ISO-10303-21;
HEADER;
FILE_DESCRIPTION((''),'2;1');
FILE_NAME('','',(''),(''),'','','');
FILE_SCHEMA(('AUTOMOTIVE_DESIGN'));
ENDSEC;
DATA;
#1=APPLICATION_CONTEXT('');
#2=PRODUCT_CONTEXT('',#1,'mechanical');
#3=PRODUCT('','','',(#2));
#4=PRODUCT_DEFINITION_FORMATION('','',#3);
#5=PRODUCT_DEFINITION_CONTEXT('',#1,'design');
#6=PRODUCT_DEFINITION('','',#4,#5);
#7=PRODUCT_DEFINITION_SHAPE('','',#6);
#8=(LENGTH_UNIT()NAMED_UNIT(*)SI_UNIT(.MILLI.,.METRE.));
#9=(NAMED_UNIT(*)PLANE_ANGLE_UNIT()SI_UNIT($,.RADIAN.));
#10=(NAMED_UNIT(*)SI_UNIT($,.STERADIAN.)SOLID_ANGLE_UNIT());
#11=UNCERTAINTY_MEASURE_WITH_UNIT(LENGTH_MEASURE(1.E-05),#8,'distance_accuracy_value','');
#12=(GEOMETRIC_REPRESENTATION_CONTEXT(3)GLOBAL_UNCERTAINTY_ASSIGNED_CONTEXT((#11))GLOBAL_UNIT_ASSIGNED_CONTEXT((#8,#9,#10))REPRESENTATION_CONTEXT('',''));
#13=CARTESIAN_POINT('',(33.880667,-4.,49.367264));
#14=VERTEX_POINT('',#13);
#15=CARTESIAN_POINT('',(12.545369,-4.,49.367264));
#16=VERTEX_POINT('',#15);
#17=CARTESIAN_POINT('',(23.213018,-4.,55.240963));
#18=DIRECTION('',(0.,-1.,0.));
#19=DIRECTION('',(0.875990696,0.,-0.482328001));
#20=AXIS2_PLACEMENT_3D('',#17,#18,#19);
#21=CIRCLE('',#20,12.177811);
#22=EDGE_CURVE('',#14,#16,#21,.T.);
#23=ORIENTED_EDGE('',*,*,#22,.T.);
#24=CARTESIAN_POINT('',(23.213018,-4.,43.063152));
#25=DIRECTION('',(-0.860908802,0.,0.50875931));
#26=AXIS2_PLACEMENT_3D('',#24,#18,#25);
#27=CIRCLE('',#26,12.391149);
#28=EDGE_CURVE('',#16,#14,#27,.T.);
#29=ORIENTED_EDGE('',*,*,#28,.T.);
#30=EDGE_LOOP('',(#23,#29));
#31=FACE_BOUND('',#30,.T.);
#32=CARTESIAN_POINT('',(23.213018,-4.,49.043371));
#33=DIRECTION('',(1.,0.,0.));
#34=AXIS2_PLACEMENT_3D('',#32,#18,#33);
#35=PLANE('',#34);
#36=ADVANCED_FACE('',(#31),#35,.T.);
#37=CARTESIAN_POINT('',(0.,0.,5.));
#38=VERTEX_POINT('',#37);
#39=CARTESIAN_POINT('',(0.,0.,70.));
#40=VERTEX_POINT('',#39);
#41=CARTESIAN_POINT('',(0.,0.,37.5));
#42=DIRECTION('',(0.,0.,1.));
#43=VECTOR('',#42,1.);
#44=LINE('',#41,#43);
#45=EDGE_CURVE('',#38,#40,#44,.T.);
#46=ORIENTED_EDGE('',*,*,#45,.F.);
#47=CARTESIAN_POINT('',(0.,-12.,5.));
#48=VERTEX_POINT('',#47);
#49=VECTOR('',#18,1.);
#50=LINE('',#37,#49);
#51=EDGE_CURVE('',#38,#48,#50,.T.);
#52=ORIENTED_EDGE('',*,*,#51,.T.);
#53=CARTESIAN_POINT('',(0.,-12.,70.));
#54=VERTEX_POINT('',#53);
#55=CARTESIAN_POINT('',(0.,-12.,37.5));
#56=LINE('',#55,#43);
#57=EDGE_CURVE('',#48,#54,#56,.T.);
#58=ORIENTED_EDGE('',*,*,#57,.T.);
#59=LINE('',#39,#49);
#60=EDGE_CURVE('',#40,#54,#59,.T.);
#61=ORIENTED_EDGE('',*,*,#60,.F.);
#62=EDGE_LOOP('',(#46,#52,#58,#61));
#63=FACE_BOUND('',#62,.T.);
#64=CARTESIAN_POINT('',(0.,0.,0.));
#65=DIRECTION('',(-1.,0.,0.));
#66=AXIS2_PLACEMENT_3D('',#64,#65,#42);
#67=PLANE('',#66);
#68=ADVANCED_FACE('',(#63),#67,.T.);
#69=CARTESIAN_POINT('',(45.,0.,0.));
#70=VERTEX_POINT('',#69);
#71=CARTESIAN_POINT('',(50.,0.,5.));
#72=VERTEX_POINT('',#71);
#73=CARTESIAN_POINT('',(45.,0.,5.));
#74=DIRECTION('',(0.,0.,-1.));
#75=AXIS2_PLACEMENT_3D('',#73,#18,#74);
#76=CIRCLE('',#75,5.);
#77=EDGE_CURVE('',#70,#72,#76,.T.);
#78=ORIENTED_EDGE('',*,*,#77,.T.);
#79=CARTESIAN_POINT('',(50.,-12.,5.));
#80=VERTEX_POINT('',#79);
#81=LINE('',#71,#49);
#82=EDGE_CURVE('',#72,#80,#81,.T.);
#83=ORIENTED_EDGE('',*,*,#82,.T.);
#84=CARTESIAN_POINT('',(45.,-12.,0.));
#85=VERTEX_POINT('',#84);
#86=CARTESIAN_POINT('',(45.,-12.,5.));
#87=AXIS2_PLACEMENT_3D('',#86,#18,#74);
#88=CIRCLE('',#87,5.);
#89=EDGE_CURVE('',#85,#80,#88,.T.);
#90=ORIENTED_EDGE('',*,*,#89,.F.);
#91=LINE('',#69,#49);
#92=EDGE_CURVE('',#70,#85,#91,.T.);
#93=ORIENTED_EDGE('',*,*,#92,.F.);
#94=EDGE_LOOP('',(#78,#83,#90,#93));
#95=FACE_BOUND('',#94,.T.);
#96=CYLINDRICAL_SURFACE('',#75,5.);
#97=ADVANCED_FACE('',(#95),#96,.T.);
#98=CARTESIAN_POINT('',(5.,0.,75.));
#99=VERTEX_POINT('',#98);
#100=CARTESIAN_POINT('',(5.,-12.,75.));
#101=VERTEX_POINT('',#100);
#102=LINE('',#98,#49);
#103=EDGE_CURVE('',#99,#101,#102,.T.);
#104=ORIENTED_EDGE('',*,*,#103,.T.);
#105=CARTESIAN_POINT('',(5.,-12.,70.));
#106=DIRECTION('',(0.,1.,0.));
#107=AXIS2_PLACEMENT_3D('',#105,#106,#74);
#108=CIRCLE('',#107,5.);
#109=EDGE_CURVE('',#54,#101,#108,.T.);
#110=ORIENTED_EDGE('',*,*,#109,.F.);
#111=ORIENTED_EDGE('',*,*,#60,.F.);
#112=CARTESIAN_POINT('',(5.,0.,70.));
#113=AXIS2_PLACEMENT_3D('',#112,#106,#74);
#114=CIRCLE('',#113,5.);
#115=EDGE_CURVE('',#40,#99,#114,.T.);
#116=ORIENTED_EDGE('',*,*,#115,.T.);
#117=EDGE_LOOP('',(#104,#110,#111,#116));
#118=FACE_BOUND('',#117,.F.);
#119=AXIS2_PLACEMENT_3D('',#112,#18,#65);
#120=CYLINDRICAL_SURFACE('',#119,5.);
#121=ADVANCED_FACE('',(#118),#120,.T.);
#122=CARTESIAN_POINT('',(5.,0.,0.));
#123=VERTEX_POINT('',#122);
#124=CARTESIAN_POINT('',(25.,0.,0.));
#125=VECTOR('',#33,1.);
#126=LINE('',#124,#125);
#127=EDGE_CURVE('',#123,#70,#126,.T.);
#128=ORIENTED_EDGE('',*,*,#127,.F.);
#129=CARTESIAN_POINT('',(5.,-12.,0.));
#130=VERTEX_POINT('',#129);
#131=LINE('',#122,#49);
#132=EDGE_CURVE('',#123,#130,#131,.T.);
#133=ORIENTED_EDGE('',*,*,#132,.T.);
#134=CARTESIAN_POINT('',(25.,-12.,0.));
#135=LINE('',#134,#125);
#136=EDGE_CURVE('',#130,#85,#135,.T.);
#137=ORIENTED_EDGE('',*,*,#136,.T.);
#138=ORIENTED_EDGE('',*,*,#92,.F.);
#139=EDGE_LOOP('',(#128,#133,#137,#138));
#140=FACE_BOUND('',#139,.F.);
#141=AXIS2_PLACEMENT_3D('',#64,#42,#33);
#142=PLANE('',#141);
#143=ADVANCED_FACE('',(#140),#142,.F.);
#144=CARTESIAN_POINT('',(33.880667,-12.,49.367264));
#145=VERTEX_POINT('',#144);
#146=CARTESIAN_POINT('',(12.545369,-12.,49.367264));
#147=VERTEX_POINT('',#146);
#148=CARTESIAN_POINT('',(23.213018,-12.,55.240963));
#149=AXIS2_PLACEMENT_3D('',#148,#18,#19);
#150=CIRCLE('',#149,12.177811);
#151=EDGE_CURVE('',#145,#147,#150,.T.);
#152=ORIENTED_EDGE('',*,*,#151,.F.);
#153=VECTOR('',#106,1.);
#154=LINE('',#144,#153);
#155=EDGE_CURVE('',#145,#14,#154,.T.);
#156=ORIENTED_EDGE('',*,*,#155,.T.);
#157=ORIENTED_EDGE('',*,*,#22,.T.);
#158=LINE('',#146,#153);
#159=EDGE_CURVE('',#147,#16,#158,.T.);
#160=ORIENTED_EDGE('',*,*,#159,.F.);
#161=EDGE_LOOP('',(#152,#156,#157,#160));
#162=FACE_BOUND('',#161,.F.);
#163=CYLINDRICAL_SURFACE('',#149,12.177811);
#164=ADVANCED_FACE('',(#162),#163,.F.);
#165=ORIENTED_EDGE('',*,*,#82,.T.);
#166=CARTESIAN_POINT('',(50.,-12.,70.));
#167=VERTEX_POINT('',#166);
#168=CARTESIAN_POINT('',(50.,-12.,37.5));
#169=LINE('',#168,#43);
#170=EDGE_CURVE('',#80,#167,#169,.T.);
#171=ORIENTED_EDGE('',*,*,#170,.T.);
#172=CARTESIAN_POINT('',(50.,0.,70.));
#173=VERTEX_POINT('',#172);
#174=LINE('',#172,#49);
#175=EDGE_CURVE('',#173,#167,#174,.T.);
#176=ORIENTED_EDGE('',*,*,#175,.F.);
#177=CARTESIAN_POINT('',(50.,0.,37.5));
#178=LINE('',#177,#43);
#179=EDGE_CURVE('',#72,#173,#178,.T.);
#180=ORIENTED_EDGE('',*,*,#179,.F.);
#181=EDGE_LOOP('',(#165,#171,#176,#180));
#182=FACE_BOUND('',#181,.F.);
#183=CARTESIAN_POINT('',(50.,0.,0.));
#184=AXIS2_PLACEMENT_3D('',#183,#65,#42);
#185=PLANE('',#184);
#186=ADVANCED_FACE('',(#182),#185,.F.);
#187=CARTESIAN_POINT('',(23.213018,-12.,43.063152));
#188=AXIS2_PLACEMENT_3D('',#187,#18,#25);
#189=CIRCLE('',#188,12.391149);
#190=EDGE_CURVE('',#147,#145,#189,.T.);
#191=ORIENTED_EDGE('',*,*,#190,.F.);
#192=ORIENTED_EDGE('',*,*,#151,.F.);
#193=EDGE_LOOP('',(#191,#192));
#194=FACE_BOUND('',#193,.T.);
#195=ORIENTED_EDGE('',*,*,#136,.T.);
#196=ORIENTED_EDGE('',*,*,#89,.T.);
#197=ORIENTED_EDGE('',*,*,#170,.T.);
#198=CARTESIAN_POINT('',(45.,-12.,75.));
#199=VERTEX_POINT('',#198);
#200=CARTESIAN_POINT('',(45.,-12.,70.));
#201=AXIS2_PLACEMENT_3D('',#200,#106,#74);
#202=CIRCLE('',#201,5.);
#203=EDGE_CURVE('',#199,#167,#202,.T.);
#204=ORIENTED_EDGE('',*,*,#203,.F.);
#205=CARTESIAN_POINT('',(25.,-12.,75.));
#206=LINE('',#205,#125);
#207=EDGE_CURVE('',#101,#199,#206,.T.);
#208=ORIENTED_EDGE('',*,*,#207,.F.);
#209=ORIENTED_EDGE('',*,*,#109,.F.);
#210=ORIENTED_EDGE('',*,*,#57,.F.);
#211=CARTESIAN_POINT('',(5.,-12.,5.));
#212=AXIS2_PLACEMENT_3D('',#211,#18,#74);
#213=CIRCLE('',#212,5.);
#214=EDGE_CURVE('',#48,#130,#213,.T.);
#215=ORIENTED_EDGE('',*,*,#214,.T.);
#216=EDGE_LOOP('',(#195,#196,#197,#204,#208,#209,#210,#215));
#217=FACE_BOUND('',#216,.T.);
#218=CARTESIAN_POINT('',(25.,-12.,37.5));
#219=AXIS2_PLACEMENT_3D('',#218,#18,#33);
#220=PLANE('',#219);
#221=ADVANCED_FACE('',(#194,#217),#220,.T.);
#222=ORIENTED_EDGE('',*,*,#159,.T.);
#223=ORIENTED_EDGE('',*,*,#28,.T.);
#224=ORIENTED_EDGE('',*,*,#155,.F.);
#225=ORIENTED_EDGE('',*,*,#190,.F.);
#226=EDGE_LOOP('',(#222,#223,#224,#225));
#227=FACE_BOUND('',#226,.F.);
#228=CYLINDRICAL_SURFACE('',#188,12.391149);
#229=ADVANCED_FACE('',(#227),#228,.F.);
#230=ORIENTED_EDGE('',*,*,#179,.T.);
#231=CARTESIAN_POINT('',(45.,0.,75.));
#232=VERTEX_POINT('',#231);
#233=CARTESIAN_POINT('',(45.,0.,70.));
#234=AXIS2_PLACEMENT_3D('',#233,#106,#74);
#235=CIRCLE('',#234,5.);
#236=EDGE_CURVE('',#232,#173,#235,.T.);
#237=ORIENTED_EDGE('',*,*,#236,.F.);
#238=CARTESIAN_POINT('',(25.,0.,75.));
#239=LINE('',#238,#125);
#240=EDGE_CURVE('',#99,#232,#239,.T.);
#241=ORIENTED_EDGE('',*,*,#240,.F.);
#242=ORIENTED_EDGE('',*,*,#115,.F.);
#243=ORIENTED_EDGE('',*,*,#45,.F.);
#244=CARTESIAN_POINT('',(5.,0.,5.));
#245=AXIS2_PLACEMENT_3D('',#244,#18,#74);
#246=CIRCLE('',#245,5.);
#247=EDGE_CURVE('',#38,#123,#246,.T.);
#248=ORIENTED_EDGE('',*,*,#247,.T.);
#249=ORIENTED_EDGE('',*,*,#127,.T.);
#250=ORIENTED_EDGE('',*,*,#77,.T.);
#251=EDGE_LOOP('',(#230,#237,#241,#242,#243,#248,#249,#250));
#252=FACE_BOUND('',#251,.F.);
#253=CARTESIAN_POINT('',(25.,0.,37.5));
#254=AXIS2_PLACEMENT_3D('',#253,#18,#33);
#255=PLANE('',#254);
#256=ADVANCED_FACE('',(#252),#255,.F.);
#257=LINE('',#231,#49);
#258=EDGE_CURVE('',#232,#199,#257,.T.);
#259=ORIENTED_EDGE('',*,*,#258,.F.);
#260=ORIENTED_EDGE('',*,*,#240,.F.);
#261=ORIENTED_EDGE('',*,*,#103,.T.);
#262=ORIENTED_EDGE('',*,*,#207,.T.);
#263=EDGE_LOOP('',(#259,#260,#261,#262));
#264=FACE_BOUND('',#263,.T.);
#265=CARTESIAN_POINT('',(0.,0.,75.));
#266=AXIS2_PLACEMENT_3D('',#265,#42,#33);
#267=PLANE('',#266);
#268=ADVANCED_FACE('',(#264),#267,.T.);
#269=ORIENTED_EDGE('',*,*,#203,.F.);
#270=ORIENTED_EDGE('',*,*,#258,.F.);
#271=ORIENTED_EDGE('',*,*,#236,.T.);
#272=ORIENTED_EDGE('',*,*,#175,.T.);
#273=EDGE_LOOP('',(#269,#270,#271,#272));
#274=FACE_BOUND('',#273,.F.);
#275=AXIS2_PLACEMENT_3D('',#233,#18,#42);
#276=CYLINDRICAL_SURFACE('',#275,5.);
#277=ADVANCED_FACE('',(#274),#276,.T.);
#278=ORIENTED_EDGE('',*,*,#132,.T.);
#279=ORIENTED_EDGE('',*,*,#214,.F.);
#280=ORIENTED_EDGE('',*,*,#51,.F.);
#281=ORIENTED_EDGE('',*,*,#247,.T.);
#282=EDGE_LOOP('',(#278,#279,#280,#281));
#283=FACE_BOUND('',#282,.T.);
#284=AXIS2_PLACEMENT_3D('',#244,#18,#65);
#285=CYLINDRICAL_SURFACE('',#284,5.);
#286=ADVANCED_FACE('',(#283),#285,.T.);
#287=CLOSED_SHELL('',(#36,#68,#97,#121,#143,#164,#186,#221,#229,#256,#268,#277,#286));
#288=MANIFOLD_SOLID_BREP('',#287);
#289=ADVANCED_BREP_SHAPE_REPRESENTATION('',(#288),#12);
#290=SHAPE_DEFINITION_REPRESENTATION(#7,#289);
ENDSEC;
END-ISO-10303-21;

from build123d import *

# Parameters (mm, degrees)
F0_W     = 50
F0_H     = 75
F1_DEPTH = 12
F3_DEPTH = 8
F4_R     = 5


with BuildPart() as f1:
    # F0 (on Front) → F1 (new body)
    with BuildSketch(Plane.XZ):
        with Locations((25, 37.5)):
            Rectangle(F0_W, F0_H)
    extrude(amount=F1_DEPTH)

    # F2 (on face) → F3 (cut)
    with BuildSketch(Plane.XZ.offset(12)):
        with BuildLine():
            ThreePointArc((12.545369, 49.367264), (23.213018, 30.672003), (33.880667, 49.367264))
            ThreePointArc((33.880667, 49.367264), (23.213018, 67.418774), (12.545369, 49.367264))
        make_face()
    extrude(amount=-F3_DEPTH, mode=Mode.SUBTRACT)

    # F4
    f4_edges = [f1.edges().sort_by_distance(p)[0] for p in [
        (50, -6, 0),
        (50, -6, 75),
        (0, -6, 75),
        (0, -6, 0),
    ]]
    fillet(f4_edges, radius=F4_R)


solid = f1.part
